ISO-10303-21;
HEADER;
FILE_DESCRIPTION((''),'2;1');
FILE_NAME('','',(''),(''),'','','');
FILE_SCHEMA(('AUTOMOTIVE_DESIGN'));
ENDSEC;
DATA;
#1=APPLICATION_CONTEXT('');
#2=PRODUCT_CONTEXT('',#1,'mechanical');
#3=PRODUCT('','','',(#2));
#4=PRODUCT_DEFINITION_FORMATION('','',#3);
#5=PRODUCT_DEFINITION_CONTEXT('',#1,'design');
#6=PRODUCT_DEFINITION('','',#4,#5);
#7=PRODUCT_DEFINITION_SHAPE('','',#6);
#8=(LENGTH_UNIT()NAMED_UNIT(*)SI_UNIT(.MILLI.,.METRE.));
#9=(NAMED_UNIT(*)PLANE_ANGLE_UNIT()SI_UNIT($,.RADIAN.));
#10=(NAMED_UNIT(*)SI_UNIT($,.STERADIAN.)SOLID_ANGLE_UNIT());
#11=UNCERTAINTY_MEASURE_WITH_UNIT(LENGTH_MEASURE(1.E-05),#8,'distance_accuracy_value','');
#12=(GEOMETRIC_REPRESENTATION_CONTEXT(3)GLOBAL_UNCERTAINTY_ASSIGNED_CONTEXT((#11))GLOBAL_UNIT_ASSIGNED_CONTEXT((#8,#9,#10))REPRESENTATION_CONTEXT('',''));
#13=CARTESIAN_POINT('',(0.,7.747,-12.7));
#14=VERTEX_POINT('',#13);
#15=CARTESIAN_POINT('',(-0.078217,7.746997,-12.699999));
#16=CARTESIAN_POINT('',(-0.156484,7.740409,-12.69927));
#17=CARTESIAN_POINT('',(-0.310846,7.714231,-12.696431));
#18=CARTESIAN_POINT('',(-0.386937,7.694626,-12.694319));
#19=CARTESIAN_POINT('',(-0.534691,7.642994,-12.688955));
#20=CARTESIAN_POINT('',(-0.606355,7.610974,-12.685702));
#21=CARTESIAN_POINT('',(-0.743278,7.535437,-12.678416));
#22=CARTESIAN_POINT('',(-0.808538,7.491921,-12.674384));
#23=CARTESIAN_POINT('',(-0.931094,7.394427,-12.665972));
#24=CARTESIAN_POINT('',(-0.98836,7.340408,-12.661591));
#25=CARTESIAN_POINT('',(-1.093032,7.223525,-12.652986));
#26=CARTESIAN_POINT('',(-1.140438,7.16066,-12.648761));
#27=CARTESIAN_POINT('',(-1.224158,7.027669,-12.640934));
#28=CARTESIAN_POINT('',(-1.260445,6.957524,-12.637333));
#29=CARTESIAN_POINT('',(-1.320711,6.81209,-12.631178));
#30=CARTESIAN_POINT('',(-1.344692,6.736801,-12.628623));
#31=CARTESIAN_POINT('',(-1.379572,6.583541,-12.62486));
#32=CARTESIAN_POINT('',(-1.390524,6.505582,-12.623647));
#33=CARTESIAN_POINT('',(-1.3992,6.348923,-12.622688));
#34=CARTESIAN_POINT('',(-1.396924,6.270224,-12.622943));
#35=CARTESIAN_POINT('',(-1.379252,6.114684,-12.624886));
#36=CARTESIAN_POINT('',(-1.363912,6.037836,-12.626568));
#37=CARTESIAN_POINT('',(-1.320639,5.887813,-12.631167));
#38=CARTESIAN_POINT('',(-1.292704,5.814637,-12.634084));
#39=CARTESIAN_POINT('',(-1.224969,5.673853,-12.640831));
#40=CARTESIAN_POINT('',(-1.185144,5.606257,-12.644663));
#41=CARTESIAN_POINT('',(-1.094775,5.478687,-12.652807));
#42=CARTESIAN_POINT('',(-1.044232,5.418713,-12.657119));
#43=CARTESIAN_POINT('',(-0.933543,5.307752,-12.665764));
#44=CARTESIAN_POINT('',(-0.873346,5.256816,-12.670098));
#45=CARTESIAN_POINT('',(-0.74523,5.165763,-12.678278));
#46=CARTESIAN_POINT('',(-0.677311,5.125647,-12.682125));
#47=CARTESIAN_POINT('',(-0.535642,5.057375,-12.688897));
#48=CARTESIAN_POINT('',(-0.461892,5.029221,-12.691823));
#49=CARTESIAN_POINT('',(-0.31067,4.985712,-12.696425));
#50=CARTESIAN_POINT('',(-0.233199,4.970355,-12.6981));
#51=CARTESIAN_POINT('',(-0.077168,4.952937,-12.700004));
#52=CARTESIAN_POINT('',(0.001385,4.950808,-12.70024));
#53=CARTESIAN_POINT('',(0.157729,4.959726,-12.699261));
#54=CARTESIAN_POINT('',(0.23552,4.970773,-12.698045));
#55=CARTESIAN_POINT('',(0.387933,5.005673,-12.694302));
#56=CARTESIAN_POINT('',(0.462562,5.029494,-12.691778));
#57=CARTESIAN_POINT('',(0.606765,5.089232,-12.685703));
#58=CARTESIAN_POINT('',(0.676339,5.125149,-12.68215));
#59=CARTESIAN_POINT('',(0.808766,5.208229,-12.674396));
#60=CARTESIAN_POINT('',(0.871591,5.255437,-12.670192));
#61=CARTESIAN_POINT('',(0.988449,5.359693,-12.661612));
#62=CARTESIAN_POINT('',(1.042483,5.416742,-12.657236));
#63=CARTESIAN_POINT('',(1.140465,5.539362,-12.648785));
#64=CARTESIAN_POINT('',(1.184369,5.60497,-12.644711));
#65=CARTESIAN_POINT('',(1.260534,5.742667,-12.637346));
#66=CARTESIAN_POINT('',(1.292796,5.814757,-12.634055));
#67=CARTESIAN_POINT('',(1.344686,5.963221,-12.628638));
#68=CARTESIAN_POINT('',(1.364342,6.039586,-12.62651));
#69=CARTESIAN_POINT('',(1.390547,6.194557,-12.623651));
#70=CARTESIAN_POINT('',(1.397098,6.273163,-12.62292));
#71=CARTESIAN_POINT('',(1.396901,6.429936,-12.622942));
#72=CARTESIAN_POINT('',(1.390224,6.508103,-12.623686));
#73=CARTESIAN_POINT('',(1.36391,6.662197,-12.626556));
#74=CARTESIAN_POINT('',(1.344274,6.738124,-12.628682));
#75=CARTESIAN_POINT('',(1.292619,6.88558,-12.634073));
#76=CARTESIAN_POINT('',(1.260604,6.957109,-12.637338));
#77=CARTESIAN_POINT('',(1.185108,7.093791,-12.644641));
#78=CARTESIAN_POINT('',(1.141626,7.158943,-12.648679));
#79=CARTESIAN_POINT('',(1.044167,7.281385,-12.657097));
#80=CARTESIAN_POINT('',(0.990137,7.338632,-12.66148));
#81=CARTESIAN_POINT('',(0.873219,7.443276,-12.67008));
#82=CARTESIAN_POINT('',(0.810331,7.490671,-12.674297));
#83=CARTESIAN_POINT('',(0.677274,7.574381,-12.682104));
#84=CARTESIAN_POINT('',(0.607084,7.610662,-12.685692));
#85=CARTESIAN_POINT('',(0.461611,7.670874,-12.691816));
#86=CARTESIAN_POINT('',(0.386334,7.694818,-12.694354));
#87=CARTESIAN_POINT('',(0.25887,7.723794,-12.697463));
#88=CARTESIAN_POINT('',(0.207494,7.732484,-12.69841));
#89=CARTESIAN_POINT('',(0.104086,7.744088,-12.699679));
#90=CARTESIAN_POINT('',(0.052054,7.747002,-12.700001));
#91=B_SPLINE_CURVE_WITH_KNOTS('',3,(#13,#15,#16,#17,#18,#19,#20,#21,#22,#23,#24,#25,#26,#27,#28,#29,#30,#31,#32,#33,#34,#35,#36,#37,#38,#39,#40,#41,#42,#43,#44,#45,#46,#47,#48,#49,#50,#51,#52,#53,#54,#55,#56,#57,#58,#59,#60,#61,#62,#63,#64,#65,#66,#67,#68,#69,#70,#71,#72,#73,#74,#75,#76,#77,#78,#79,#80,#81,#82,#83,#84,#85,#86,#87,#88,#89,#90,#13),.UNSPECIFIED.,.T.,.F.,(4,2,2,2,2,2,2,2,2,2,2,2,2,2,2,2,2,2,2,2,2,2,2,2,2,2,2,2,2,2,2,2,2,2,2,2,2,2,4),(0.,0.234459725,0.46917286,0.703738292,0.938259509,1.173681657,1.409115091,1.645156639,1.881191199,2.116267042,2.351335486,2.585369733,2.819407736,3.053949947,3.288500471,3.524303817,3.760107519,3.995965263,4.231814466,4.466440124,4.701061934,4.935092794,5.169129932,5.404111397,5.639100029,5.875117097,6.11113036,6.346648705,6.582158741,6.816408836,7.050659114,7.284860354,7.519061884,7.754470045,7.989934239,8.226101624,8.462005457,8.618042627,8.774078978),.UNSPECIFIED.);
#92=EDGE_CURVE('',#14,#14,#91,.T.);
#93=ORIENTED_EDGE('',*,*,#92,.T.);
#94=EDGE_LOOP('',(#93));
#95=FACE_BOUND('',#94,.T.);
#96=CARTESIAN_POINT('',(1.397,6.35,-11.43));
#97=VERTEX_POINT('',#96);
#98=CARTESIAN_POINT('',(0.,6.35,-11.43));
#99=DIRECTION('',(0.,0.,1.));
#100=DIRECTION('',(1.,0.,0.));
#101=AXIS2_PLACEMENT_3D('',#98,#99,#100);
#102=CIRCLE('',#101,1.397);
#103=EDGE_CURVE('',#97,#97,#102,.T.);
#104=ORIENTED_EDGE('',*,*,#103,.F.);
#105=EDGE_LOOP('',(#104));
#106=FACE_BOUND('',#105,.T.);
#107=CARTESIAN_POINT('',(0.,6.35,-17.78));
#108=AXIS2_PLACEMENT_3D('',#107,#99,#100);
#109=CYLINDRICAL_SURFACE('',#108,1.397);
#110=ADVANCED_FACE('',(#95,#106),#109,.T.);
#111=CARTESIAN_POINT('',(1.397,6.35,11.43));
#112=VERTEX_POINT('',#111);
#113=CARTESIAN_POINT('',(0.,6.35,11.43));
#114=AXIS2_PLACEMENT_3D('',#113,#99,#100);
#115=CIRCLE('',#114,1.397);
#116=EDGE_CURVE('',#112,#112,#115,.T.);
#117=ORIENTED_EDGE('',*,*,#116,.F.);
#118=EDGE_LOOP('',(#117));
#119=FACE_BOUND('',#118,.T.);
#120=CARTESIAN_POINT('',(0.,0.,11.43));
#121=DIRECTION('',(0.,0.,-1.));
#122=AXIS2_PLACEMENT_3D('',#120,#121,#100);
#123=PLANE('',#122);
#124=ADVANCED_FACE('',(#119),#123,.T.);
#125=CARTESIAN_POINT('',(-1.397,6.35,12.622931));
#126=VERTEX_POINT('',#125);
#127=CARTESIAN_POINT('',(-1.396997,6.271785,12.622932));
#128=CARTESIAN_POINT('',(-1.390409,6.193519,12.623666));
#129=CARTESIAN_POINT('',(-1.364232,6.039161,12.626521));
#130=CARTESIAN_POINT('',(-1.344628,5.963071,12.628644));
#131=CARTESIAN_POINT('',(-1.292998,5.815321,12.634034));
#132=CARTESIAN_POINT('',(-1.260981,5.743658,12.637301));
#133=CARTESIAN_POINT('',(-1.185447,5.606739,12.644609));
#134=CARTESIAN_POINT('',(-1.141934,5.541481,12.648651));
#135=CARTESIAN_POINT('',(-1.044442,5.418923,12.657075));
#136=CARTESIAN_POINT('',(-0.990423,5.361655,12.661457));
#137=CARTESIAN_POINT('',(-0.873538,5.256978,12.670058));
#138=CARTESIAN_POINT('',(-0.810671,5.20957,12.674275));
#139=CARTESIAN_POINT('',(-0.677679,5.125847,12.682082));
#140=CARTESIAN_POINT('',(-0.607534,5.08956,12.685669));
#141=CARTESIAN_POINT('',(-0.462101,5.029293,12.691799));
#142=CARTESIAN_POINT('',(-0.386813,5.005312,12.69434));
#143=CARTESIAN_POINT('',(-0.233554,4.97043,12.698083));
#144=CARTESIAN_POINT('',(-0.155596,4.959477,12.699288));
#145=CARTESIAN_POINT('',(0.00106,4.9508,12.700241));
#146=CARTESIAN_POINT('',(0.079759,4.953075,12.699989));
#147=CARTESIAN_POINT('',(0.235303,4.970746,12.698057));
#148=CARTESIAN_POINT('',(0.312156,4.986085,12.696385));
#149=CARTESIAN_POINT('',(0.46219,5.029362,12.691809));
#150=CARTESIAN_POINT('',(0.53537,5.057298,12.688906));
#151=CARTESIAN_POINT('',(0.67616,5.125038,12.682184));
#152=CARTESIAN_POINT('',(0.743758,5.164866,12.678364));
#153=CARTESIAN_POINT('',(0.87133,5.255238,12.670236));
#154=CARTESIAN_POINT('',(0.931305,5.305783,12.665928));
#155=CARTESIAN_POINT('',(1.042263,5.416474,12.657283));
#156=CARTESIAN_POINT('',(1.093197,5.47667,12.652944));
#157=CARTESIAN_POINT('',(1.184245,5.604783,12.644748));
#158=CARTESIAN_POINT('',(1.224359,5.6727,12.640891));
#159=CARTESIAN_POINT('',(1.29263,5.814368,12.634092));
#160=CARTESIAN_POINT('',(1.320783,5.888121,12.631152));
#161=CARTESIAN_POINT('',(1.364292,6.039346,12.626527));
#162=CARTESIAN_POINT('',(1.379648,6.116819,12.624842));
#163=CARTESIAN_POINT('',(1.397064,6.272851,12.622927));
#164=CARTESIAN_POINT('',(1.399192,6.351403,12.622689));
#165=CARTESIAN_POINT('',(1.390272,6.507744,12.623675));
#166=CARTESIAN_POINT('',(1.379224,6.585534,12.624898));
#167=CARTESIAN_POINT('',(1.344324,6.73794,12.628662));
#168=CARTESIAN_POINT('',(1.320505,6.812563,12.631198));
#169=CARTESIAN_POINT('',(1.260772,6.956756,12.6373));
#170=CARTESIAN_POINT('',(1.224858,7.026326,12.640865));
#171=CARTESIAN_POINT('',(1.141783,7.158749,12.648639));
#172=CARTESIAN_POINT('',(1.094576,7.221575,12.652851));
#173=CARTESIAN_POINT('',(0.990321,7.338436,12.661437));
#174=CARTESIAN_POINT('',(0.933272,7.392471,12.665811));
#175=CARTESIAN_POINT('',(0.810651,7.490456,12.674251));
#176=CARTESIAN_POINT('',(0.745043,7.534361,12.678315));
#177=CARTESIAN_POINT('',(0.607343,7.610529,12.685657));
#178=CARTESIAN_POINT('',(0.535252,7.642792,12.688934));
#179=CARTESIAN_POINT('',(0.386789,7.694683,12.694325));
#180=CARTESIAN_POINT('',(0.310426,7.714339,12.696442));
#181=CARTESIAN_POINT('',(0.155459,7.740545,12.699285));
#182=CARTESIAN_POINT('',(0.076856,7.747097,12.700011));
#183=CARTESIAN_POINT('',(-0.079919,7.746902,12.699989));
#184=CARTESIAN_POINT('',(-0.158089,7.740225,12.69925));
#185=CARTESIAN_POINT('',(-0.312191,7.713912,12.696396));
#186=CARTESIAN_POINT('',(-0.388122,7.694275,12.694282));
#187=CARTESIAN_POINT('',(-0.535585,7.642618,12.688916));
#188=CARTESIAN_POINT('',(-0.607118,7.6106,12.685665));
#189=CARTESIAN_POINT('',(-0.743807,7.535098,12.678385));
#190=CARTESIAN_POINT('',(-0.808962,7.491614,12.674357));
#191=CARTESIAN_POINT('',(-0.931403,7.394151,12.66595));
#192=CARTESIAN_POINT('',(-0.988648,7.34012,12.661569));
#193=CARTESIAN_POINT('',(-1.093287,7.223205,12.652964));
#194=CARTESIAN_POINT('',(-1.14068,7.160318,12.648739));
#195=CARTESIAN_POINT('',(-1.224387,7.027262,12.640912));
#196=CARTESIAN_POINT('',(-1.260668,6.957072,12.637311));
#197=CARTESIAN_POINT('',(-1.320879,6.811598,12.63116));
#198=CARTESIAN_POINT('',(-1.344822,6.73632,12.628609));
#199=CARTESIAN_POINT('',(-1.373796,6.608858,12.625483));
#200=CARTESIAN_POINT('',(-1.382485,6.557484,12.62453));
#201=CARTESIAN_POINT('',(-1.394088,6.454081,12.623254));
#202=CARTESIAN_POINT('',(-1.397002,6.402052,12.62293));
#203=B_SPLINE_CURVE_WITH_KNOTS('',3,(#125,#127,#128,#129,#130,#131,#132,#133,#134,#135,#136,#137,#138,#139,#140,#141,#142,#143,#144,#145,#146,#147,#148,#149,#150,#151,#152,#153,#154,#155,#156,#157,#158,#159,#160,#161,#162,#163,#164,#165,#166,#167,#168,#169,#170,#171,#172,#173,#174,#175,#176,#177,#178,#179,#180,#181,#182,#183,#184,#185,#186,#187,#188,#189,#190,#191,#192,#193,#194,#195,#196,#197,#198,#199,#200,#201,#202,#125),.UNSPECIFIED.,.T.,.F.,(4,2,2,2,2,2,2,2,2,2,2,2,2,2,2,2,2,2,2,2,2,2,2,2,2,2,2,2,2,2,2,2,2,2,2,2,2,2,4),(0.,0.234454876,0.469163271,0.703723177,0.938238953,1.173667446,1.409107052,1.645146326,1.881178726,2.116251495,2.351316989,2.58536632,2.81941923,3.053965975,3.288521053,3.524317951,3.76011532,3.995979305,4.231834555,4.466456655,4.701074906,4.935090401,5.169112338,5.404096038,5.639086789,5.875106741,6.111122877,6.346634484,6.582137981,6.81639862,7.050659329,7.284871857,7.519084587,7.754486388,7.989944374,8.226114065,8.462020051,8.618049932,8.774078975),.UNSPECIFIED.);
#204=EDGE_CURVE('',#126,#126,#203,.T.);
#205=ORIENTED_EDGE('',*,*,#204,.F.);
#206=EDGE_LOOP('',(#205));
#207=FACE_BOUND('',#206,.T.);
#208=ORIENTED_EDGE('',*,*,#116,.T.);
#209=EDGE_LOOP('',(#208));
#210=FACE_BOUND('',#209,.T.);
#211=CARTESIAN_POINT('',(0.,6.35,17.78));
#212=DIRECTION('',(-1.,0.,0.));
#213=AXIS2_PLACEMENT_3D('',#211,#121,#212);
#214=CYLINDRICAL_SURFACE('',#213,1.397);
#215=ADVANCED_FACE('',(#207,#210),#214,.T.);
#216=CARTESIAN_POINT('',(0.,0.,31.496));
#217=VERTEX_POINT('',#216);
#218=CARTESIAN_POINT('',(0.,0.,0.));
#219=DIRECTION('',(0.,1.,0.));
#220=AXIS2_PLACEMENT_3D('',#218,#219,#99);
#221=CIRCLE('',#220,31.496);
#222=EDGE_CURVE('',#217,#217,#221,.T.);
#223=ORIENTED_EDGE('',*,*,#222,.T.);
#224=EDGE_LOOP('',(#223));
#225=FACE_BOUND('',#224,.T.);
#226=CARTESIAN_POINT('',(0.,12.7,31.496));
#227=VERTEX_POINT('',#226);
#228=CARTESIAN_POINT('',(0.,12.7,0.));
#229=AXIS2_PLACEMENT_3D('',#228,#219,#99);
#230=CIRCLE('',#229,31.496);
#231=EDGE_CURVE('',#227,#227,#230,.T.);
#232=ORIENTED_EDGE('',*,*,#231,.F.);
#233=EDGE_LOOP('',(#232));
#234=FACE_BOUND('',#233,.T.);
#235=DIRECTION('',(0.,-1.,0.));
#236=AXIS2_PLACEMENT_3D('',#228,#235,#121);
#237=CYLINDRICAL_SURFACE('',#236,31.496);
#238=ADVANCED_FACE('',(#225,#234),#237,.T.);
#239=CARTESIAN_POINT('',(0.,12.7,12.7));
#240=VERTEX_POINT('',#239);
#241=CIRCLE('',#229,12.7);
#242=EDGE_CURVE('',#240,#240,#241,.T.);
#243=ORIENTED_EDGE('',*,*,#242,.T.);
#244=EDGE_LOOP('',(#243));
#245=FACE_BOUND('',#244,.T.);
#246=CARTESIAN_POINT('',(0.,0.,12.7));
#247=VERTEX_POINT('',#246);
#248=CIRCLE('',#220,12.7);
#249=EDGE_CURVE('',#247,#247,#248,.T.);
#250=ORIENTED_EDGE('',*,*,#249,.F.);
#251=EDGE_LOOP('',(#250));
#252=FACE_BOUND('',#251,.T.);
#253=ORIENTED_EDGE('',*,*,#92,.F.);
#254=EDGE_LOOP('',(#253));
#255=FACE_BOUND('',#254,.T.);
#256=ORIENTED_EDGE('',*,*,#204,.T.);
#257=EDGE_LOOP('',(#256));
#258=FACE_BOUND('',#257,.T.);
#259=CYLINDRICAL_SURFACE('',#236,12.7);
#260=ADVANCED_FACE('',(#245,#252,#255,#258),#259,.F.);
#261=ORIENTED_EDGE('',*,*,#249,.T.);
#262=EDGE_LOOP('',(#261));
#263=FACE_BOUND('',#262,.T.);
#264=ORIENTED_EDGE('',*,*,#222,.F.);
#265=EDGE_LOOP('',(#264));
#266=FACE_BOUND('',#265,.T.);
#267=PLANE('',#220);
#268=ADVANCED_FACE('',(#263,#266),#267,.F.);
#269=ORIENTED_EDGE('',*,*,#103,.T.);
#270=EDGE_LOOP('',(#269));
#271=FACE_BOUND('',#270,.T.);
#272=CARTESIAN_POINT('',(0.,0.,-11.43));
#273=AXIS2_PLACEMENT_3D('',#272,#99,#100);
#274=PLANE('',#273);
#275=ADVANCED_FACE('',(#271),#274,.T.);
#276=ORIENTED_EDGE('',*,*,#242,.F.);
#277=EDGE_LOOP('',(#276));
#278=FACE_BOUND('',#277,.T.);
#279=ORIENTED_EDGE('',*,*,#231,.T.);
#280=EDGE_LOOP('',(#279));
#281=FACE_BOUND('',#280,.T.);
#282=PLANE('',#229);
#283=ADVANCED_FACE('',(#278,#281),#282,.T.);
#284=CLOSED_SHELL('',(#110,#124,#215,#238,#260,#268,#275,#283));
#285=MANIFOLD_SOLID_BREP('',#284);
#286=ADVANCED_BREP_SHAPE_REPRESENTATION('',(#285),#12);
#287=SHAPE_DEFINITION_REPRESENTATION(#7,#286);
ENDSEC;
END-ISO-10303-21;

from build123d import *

# Parameters (mm, degrees)
SKETCH1_R           = 31.496
SKETCH1_R_2         = 12.7
BOSS_EXTRUDE1_DEPTH = 12.7
BOSS_EXTRUDE2_START = -5.08
SKETCH3_R           = 1.397
BOSS_EXTRUDE2_DEPTH = 6.35


with BuildPart() as part:
    # Sketch1 → Boss-Extrude1 (new body)
    with BuildSketch(Plane(origin=(0, 0, 0), x_dir=(1, 0, 0), z_dir=(0, 1, 0))):
        with Locations(Location((0, 0, 0), (0, 0, 270))):
            Circle(SKETCH1_R)
        with Locations(Location((0, 0, 0), (0, 0, 270))):
            Circle(SKETCH1_R_2, mode=Mode.SUBTRACT)
    extrude(amount=BOSS_EXTRUDE1_DEPTH)

    # Sketch3 → Boss-Extrude2 (add)
    with BuildSketch(Plane.XY.offset(-12.7).offset(BOSS_EXTRUDE2_START)):
        with Locations((0, 6.35)):
            Circle(SKETCH3_R)
    boss_extrude2 = extrude(amount=BOSS_EXTRUDE2_DEPTH)

    # Mirror1: Boss-Extrude2 across plane
    add(boss_extrude2.mirror(Plane.XY))


solid = part.part
